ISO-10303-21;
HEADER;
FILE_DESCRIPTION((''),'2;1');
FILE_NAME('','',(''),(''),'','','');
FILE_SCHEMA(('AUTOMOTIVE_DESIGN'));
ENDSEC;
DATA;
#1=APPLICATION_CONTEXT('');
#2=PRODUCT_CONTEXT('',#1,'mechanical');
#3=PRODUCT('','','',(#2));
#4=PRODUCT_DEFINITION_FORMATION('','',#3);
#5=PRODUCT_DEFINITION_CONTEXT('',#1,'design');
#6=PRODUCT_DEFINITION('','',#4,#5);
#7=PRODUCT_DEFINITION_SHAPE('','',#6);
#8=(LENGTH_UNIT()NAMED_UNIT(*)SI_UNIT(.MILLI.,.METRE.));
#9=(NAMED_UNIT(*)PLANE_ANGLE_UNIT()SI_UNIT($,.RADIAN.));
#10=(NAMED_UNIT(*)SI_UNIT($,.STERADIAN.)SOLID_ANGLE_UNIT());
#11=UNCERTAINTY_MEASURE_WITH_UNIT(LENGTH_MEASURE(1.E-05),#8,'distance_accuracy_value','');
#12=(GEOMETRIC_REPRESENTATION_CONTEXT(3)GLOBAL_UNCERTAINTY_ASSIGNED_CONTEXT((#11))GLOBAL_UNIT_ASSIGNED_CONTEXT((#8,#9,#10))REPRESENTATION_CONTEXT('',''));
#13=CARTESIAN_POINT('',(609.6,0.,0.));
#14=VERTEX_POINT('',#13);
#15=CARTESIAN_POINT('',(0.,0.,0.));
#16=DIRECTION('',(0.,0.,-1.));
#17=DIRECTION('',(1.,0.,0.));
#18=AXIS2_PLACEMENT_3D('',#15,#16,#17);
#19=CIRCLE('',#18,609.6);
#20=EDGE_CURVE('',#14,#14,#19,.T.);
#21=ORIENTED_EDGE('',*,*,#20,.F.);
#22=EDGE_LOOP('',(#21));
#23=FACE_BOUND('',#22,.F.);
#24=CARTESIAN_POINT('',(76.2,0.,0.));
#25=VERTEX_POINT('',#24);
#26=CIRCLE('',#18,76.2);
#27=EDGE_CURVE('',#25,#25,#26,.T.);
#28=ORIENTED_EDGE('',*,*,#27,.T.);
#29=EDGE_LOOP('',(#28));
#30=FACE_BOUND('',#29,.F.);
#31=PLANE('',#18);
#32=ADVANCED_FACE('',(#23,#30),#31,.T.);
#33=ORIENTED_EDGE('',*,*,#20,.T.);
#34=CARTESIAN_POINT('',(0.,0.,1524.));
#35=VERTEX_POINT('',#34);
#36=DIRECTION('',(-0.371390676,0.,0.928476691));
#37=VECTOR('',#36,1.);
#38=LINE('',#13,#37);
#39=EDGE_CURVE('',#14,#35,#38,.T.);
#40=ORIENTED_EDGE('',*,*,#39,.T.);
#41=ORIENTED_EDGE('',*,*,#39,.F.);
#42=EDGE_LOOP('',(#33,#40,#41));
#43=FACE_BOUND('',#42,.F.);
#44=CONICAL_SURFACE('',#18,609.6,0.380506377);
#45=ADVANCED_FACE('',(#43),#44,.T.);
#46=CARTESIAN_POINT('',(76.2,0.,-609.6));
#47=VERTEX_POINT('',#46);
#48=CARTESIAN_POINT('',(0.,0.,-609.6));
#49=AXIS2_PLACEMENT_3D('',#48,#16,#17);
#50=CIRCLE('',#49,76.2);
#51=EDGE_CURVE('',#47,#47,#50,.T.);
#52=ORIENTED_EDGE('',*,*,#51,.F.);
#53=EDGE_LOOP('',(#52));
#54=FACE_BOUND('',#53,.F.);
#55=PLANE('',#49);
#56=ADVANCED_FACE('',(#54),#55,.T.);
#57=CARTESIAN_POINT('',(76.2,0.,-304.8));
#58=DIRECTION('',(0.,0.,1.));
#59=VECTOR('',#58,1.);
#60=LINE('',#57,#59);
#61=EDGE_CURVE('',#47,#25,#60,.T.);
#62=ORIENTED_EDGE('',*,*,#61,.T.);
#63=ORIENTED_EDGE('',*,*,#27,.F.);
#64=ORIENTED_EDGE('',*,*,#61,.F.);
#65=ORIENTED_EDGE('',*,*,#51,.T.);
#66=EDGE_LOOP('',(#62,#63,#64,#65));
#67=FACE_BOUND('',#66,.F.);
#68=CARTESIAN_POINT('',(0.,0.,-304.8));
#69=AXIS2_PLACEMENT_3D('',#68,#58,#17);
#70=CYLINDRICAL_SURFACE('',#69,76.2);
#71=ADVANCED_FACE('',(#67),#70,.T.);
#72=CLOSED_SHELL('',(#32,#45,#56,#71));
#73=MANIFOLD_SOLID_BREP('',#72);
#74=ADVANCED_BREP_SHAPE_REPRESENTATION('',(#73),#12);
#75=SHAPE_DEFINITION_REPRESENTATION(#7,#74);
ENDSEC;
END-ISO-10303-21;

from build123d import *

# Parameters (mm, degrees)
F0_W = 76.2
F0_H = 609.6


with BuildPart() as f1:
    # F0 (on Front) → F1 (revolve)
    with BuildSketch(Plane.XZ):
        Polygon((0, 1524), (0, 0), (76.2, 0), (609.6, 0), align=None)
        with Locations((38.1, -304.8)):
            Rectangle(F0_W, F0_H)
    revolve(axis=Axis((0, 0, -304.8), (0, 0, -1)))


solid = f1.part
